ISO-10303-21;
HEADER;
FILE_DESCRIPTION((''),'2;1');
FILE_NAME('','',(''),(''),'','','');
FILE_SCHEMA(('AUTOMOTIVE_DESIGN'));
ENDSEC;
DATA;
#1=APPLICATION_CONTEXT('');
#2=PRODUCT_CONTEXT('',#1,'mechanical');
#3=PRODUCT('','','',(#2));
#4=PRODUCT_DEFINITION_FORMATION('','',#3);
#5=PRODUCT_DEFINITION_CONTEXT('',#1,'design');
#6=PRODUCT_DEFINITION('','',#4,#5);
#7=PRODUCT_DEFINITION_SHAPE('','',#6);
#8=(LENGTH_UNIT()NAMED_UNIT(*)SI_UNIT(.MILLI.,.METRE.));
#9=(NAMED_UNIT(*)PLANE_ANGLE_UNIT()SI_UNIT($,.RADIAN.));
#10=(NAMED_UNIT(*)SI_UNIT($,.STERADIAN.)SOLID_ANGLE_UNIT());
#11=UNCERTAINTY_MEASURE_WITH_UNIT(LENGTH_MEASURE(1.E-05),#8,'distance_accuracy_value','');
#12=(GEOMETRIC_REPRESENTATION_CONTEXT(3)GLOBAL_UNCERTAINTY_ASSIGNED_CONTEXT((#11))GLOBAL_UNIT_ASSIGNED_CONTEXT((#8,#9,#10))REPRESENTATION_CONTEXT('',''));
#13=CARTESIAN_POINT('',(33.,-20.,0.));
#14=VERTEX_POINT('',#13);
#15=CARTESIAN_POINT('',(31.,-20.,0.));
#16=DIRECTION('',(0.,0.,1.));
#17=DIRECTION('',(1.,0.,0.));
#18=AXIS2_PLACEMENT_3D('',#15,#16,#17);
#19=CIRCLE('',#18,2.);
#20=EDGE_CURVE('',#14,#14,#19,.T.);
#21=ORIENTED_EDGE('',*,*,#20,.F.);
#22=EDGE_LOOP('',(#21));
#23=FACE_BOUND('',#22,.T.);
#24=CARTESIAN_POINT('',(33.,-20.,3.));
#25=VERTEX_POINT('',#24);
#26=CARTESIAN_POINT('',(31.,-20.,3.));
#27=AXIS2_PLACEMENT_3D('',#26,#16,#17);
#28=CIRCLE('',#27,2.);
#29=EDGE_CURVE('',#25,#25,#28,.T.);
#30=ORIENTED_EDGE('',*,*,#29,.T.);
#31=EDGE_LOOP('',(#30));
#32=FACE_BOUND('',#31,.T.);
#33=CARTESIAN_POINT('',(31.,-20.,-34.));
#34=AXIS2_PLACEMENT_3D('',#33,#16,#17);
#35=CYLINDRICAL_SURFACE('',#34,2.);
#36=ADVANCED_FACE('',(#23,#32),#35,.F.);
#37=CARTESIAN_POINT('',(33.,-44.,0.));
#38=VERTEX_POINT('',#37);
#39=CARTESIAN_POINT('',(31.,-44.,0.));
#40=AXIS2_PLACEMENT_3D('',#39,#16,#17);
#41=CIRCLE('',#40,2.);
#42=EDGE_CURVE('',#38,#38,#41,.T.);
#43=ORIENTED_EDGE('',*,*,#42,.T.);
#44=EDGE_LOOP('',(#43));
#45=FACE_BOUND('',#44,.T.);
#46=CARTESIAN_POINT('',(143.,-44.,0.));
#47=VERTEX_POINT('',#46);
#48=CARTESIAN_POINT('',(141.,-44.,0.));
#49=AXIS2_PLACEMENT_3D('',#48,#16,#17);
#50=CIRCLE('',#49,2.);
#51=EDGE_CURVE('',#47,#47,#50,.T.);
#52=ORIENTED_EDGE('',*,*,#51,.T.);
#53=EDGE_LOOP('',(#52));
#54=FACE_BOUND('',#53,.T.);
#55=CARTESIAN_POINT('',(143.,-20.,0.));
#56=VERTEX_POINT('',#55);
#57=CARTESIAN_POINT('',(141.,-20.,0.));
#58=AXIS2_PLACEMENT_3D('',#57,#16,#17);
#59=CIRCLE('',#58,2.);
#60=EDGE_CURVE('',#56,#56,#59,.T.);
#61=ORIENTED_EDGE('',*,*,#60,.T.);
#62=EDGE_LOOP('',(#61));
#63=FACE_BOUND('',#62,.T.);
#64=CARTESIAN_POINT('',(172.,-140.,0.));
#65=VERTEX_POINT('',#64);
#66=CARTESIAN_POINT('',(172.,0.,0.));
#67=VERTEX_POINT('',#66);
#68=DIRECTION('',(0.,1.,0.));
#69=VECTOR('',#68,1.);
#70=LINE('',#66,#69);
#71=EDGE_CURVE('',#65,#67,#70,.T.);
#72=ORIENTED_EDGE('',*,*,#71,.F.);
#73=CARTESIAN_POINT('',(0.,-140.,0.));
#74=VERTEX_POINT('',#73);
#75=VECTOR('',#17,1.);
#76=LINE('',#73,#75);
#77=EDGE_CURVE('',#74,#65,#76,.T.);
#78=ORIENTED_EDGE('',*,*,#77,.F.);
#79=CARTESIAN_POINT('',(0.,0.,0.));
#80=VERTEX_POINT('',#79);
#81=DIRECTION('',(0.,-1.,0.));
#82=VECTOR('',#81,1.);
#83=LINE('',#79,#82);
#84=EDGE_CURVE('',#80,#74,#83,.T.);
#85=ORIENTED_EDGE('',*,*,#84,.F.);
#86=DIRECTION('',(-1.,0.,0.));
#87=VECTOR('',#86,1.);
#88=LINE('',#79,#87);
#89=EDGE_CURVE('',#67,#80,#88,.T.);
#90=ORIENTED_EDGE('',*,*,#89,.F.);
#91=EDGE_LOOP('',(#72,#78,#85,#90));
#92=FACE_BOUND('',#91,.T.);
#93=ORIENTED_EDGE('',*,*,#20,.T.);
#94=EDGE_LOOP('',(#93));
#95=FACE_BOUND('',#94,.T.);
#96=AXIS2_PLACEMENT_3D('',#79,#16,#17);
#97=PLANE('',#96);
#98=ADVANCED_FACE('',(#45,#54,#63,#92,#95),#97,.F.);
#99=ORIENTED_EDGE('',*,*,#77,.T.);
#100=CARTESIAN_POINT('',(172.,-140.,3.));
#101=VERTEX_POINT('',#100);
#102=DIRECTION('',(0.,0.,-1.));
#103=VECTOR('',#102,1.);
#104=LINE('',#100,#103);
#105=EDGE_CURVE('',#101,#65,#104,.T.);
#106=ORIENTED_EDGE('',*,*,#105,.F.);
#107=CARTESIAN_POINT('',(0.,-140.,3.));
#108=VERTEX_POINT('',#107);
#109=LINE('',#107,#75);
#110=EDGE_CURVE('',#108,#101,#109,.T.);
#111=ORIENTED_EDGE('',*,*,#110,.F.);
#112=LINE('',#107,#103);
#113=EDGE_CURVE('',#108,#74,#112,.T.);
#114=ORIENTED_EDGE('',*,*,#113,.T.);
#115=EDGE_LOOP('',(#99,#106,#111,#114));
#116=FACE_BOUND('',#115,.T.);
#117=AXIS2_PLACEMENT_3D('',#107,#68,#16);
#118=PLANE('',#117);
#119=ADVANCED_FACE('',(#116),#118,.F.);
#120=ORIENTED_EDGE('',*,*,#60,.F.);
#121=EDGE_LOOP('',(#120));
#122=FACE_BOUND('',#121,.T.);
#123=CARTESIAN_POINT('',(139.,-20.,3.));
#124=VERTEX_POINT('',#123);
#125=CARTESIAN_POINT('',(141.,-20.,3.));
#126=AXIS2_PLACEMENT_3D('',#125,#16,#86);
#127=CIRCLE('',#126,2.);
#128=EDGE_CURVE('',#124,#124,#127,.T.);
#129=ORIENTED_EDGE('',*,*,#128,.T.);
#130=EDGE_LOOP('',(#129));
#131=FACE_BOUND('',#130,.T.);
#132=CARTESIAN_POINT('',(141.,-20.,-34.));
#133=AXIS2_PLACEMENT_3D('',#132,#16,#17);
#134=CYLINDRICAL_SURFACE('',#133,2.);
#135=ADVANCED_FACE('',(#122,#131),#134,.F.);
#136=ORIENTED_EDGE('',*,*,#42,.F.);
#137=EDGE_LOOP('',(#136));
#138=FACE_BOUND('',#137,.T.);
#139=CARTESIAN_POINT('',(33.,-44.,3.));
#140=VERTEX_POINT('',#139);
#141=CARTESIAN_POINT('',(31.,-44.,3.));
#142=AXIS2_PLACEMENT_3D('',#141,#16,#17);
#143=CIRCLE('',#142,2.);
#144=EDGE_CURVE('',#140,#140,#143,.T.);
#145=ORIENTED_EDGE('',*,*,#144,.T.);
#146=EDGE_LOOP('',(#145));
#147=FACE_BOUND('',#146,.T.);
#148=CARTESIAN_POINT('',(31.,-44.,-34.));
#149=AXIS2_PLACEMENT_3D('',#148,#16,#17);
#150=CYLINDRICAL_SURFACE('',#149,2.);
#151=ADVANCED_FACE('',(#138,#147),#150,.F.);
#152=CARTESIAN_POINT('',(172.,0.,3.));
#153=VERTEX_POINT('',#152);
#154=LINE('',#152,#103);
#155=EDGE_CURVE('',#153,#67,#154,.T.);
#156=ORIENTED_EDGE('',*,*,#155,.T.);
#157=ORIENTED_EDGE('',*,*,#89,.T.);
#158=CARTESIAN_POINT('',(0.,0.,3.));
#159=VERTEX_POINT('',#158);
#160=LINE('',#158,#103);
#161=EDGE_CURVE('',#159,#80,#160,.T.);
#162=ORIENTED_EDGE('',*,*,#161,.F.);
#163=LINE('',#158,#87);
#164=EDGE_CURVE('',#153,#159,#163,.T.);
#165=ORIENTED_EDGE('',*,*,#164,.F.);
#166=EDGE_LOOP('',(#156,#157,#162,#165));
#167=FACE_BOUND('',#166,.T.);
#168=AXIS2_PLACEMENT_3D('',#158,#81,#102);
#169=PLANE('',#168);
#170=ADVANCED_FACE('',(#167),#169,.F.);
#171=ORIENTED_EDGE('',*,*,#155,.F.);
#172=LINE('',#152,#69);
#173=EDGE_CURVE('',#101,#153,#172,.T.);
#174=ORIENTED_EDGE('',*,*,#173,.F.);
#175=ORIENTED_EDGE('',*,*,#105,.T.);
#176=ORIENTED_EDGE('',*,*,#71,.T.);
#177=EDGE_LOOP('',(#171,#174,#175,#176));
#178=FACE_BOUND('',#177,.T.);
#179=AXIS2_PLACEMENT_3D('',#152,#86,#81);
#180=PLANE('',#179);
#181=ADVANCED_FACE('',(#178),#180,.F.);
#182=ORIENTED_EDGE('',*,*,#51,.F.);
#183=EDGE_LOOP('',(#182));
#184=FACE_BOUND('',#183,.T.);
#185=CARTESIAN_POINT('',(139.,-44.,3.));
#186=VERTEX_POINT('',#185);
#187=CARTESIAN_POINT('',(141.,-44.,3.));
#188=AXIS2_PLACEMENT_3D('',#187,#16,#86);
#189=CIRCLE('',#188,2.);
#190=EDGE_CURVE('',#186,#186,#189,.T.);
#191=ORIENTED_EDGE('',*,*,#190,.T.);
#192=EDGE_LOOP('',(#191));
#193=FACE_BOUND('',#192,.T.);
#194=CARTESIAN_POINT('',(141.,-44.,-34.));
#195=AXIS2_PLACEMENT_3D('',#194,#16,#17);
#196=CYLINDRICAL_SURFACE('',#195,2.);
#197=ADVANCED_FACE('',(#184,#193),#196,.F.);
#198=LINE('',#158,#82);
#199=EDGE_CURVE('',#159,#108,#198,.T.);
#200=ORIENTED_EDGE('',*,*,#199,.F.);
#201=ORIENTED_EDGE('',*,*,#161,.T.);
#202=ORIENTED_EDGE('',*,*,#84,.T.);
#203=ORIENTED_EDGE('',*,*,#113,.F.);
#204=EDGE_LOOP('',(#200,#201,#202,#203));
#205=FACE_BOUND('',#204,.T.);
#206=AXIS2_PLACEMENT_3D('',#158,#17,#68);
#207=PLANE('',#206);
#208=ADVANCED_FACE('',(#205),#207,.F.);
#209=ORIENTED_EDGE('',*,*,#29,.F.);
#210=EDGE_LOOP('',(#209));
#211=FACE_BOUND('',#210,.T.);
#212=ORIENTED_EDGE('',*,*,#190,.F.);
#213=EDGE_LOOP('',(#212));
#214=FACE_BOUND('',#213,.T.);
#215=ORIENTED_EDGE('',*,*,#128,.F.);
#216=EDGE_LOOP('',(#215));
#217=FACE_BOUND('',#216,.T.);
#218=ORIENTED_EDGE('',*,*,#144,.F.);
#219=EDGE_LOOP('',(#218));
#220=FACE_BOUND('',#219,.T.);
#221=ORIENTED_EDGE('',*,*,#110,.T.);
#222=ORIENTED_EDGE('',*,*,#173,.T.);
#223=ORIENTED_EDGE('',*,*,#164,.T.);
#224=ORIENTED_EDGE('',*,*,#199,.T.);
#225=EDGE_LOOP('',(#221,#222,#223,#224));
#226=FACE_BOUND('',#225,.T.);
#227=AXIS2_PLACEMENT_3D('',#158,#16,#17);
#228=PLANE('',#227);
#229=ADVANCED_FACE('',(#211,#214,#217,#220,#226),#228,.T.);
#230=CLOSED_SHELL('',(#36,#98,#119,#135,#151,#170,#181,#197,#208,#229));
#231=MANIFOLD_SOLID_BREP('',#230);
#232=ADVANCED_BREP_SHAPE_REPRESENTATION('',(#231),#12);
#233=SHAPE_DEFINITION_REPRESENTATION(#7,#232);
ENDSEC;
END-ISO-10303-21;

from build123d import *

# Parameters (mm, degrees)
SKETCH_1_W          = 172
SKETCH_1_H          = 140
EXTRUDE_1_DEPTH     = 3
SKETCH_2_R          = 2
CUT_EXTRUDE_1_DEPTH = 37


with BuildPart() as part:
    # 草图1 → 凸台-拉伸1 (new body)
    with BuildSketch(Plane.XY):
        with Locations((86, -70)):
            Rectangle(SKETCH_1_W, SKETCH_1_H)
    extrude(amount=EXTRUDE_1_DEPTH)

    # 草图2 → 切除-拉伸1 (cut)
    with BuildSketch(Plane.XY.offset(3)):
        with Locations((31, -20)):
            Circle(SKETCH_2_R)
        with Locations((31, -44)):
            Circle(SKETCH_2_R)
        with Locations((141, -44)):
            Circle(SKETCH_2_R)
        with Locations((141, -20)):
            Circle(SKETCH_2_R)
    extrude(amount=-CUT_EXTRUDE_1_DEPTH, mode=Mode.SUBTRACT)


solid = part.part
